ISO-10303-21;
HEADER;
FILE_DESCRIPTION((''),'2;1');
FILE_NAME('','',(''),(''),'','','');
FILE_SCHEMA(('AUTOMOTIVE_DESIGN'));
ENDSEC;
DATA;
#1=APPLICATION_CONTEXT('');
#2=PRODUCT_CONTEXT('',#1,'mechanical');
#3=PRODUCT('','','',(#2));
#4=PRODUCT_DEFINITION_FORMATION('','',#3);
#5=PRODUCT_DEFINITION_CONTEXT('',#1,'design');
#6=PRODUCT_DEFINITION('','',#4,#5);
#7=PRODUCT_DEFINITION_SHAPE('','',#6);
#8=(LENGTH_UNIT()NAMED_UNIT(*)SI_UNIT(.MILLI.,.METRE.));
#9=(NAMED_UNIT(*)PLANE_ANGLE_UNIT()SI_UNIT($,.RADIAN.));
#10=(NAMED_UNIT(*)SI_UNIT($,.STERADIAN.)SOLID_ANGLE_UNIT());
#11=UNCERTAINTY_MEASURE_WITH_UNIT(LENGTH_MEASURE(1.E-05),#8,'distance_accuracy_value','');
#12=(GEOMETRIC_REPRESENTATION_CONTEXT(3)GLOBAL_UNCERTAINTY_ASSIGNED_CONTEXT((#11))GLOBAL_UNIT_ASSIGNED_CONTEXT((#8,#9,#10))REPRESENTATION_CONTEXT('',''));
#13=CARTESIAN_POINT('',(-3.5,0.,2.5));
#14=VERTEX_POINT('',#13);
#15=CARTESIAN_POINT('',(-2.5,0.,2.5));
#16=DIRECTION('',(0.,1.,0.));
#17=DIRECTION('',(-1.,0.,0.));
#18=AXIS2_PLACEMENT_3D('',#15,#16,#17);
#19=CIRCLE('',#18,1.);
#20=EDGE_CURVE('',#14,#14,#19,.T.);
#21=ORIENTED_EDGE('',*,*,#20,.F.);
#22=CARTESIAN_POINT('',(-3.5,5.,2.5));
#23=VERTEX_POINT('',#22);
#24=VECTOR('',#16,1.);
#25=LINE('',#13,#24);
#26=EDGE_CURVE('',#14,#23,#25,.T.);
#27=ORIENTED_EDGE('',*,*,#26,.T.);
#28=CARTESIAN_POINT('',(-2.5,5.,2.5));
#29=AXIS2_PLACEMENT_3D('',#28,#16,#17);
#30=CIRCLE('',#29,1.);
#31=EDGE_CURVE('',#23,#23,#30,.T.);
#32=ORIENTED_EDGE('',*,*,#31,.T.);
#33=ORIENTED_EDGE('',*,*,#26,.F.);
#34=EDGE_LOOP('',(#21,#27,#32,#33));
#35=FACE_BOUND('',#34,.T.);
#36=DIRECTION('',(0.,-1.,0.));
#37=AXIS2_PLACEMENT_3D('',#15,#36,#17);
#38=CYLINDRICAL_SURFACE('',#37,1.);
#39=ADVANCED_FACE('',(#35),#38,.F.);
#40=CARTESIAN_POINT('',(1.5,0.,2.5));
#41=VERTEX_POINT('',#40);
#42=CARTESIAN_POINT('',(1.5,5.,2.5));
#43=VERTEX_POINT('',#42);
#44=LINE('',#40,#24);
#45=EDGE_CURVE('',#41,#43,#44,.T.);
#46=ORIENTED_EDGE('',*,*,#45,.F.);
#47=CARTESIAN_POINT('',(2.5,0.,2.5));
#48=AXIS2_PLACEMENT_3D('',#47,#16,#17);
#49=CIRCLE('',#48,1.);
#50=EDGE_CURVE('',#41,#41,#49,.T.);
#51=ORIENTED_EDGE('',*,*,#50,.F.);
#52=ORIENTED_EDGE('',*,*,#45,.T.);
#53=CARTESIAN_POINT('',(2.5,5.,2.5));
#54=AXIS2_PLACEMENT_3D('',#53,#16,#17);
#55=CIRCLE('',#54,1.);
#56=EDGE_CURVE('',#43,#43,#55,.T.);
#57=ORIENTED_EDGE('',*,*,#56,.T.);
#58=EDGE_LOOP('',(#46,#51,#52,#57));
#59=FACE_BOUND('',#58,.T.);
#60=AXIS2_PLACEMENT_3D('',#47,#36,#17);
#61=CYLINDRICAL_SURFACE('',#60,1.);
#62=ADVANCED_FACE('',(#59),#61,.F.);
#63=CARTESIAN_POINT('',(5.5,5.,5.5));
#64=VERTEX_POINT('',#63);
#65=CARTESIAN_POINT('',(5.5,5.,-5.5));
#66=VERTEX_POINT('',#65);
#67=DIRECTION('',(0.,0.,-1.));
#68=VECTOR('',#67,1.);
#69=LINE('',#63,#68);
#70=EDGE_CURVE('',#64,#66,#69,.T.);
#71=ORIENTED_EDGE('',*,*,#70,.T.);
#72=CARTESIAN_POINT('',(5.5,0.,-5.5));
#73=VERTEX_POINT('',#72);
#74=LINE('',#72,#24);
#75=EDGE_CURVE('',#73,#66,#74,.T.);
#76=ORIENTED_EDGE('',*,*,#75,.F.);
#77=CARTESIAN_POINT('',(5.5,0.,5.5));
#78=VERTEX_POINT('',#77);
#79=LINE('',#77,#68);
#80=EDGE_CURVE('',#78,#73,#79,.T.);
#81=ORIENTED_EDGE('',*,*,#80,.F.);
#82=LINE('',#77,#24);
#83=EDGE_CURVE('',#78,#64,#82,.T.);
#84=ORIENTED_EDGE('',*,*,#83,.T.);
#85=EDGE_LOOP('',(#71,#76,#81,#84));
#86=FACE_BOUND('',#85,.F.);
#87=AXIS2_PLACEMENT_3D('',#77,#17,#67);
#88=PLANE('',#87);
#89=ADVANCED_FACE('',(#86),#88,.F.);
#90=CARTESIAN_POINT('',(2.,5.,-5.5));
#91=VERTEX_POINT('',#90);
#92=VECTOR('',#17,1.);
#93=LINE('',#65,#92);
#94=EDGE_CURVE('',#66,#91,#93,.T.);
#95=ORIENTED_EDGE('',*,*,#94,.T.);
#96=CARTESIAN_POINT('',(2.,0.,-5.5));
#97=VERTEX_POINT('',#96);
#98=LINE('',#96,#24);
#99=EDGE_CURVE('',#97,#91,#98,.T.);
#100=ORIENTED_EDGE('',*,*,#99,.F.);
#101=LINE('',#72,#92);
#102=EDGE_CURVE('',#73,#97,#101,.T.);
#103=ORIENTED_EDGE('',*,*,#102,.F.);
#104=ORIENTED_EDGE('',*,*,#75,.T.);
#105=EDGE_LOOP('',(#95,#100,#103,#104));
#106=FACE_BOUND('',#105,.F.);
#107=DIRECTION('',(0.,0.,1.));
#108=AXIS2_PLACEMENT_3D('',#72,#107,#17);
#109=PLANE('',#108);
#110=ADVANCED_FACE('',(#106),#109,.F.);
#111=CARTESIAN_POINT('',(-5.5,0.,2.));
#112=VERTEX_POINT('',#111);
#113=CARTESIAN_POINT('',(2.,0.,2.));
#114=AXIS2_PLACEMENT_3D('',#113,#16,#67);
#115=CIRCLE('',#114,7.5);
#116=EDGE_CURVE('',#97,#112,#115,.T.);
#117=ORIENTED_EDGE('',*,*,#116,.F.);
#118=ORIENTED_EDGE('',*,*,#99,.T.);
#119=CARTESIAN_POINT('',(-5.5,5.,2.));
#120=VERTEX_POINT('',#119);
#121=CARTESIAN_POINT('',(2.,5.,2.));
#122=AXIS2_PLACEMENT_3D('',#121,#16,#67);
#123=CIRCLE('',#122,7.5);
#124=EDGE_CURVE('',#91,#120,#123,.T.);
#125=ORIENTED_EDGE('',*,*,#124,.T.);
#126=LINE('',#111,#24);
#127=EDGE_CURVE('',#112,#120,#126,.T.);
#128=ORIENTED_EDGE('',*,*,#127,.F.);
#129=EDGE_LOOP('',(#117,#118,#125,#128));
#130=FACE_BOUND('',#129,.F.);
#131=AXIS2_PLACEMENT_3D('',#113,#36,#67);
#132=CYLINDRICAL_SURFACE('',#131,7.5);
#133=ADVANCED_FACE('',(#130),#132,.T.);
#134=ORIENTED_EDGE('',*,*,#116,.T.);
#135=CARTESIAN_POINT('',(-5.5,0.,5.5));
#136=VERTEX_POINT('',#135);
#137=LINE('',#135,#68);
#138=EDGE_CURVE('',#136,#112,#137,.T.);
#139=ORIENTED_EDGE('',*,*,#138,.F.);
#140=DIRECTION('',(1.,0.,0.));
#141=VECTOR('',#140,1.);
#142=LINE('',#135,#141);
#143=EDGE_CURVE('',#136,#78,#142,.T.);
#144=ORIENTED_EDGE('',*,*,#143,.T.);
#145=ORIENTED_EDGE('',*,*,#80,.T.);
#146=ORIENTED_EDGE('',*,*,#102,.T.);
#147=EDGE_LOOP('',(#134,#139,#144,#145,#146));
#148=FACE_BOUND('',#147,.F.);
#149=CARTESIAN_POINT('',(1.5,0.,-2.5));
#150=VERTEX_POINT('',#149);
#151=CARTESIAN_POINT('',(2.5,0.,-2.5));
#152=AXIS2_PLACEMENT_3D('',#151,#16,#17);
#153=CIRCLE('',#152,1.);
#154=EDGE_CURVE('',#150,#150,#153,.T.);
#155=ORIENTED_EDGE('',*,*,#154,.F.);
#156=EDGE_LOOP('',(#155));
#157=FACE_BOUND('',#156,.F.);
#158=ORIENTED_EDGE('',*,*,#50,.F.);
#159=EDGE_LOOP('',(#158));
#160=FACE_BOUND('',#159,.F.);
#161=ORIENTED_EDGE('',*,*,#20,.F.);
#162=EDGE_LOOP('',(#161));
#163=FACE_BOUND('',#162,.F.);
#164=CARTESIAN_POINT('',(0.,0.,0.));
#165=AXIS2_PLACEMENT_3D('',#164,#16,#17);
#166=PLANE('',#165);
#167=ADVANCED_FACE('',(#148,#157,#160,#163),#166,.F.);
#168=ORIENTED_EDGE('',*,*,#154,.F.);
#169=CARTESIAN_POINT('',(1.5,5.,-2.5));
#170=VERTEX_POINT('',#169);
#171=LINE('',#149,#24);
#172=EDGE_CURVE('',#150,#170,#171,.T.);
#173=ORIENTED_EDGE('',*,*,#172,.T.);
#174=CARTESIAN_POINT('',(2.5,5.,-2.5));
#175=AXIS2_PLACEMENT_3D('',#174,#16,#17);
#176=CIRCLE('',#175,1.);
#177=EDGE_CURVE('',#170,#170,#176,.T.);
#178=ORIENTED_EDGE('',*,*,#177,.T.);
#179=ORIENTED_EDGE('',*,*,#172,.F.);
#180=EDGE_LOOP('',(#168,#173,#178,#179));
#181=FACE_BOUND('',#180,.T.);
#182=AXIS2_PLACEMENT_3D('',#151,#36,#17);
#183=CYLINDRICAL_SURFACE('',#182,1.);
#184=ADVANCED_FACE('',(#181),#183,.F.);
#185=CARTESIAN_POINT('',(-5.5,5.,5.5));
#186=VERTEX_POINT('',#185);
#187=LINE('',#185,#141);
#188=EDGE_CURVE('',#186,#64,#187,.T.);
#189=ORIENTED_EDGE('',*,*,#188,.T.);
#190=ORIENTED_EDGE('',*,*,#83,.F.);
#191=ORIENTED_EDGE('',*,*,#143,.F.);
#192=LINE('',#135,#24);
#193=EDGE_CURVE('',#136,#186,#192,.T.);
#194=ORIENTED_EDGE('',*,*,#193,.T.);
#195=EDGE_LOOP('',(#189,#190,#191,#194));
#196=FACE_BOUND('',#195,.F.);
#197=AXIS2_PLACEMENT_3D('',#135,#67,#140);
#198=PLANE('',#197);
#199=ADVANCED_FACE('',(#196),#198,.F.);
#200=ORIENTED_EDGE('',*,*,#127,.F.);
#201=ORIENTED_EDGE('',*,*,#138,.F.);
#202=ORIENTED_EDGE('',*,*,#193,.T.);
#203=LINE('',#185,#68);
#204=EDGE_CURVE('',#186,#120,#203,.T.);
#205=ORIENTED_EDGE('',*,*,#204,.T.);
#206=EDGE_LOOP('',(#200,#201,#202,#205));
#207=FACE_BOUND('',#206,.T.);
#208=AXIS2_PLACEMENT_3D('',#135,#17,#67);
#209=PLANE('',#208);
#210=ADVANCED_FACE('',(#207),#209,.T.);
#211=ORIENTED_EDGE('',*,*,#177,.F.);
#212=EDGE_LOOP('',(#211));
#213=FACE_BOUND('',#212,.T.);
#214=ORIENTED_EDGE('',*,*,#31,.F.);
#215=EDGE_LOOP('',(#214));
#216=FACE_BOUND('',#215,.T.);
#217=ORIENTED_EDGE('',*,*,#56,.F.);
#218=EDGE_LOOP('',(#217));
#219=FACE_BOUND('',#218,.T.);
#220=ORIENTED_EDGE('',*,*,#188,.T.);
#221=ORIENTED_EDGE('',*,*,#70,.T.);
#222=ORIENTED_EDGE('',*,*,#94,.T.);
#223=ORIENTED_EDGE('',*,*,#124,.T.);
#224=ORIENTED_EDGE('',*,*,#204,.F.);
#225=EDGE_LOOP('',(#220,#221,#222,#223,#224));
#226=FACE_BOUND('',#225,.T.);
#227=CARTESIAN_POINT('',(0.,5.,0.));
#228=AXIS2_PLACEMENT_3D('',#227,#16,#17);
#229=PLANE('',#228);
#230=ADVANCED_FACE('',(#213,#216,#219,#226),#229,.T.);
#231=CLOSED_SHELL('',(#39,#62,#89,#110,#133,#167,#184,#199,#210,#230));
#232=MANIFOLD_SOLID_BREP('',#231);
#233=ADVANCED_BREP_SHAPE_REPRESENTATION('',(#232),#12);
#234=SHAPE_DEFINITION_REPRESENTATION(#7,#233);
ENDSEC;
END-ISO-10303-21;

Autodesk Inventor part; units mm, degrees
ref_plane "YZ Plane" through (0, 0, 0) normal (1, 0, 0) x (0, 1, 0)
ref_plane "XZ Plane" through (0, 0, 0) normal (0, 1, 0) x (-1, 0, 0)
ref_plane "XY Plane" through (0, 0, 0) normal (0, 0, 1) x (1, 0, 0)
sketch "Sketch1" plane through (0, 0, 0) normal (0, 1, 0) x (-1, 0, 0)
  line L0 (-5.5, -5.5) -> (-2, -5.5)
  line L1 (5.5, -0.5) -> (5.5, -0.5)
  line L2 (5.5, 5.5) -> (-5.5, 5.5)
  line L3 (-5.5, -0.5) -> (-5.5, -0.5)
  line L4 (-5.5, -5.5) -> (5.5, 5.5) construction
  line L5 (5.5, -5.5) -> (-5.5, 5.5) construction
  circle A0 centre (2.5, 2.5) radius 1
  circle A1 centre (-2.5, 2.5) radius 1
  line L6 (5.5, 5.5) -> (5.5, 2)
  line L7 (-5.5, 5.5) -> (-5.5, -5.5)
  circle A2 centre (-2.5, -2.5) radius 1
  arc A3 (-2, -5.5) -> (5.5, 2) centre (-2, 2) ccw
  point P0 (0, 0)
  dimension "d1" = 11
  dimension "d3" = 2
  dimension "d4" = 2
  dimension "d5" = 3
  dimension "d6" = 3
  dimension "d7" = 3
  dimension "d8" = 3
  dimension "d12" = 11
  dimension "d13" = 2
  dimension "d14" = 3
  dimension "d15" = 3
  dimension "d16" = 7.5
extrude "Extrusion1" add sketch "Sketch1" along normal blind 5
properties part number "link"
